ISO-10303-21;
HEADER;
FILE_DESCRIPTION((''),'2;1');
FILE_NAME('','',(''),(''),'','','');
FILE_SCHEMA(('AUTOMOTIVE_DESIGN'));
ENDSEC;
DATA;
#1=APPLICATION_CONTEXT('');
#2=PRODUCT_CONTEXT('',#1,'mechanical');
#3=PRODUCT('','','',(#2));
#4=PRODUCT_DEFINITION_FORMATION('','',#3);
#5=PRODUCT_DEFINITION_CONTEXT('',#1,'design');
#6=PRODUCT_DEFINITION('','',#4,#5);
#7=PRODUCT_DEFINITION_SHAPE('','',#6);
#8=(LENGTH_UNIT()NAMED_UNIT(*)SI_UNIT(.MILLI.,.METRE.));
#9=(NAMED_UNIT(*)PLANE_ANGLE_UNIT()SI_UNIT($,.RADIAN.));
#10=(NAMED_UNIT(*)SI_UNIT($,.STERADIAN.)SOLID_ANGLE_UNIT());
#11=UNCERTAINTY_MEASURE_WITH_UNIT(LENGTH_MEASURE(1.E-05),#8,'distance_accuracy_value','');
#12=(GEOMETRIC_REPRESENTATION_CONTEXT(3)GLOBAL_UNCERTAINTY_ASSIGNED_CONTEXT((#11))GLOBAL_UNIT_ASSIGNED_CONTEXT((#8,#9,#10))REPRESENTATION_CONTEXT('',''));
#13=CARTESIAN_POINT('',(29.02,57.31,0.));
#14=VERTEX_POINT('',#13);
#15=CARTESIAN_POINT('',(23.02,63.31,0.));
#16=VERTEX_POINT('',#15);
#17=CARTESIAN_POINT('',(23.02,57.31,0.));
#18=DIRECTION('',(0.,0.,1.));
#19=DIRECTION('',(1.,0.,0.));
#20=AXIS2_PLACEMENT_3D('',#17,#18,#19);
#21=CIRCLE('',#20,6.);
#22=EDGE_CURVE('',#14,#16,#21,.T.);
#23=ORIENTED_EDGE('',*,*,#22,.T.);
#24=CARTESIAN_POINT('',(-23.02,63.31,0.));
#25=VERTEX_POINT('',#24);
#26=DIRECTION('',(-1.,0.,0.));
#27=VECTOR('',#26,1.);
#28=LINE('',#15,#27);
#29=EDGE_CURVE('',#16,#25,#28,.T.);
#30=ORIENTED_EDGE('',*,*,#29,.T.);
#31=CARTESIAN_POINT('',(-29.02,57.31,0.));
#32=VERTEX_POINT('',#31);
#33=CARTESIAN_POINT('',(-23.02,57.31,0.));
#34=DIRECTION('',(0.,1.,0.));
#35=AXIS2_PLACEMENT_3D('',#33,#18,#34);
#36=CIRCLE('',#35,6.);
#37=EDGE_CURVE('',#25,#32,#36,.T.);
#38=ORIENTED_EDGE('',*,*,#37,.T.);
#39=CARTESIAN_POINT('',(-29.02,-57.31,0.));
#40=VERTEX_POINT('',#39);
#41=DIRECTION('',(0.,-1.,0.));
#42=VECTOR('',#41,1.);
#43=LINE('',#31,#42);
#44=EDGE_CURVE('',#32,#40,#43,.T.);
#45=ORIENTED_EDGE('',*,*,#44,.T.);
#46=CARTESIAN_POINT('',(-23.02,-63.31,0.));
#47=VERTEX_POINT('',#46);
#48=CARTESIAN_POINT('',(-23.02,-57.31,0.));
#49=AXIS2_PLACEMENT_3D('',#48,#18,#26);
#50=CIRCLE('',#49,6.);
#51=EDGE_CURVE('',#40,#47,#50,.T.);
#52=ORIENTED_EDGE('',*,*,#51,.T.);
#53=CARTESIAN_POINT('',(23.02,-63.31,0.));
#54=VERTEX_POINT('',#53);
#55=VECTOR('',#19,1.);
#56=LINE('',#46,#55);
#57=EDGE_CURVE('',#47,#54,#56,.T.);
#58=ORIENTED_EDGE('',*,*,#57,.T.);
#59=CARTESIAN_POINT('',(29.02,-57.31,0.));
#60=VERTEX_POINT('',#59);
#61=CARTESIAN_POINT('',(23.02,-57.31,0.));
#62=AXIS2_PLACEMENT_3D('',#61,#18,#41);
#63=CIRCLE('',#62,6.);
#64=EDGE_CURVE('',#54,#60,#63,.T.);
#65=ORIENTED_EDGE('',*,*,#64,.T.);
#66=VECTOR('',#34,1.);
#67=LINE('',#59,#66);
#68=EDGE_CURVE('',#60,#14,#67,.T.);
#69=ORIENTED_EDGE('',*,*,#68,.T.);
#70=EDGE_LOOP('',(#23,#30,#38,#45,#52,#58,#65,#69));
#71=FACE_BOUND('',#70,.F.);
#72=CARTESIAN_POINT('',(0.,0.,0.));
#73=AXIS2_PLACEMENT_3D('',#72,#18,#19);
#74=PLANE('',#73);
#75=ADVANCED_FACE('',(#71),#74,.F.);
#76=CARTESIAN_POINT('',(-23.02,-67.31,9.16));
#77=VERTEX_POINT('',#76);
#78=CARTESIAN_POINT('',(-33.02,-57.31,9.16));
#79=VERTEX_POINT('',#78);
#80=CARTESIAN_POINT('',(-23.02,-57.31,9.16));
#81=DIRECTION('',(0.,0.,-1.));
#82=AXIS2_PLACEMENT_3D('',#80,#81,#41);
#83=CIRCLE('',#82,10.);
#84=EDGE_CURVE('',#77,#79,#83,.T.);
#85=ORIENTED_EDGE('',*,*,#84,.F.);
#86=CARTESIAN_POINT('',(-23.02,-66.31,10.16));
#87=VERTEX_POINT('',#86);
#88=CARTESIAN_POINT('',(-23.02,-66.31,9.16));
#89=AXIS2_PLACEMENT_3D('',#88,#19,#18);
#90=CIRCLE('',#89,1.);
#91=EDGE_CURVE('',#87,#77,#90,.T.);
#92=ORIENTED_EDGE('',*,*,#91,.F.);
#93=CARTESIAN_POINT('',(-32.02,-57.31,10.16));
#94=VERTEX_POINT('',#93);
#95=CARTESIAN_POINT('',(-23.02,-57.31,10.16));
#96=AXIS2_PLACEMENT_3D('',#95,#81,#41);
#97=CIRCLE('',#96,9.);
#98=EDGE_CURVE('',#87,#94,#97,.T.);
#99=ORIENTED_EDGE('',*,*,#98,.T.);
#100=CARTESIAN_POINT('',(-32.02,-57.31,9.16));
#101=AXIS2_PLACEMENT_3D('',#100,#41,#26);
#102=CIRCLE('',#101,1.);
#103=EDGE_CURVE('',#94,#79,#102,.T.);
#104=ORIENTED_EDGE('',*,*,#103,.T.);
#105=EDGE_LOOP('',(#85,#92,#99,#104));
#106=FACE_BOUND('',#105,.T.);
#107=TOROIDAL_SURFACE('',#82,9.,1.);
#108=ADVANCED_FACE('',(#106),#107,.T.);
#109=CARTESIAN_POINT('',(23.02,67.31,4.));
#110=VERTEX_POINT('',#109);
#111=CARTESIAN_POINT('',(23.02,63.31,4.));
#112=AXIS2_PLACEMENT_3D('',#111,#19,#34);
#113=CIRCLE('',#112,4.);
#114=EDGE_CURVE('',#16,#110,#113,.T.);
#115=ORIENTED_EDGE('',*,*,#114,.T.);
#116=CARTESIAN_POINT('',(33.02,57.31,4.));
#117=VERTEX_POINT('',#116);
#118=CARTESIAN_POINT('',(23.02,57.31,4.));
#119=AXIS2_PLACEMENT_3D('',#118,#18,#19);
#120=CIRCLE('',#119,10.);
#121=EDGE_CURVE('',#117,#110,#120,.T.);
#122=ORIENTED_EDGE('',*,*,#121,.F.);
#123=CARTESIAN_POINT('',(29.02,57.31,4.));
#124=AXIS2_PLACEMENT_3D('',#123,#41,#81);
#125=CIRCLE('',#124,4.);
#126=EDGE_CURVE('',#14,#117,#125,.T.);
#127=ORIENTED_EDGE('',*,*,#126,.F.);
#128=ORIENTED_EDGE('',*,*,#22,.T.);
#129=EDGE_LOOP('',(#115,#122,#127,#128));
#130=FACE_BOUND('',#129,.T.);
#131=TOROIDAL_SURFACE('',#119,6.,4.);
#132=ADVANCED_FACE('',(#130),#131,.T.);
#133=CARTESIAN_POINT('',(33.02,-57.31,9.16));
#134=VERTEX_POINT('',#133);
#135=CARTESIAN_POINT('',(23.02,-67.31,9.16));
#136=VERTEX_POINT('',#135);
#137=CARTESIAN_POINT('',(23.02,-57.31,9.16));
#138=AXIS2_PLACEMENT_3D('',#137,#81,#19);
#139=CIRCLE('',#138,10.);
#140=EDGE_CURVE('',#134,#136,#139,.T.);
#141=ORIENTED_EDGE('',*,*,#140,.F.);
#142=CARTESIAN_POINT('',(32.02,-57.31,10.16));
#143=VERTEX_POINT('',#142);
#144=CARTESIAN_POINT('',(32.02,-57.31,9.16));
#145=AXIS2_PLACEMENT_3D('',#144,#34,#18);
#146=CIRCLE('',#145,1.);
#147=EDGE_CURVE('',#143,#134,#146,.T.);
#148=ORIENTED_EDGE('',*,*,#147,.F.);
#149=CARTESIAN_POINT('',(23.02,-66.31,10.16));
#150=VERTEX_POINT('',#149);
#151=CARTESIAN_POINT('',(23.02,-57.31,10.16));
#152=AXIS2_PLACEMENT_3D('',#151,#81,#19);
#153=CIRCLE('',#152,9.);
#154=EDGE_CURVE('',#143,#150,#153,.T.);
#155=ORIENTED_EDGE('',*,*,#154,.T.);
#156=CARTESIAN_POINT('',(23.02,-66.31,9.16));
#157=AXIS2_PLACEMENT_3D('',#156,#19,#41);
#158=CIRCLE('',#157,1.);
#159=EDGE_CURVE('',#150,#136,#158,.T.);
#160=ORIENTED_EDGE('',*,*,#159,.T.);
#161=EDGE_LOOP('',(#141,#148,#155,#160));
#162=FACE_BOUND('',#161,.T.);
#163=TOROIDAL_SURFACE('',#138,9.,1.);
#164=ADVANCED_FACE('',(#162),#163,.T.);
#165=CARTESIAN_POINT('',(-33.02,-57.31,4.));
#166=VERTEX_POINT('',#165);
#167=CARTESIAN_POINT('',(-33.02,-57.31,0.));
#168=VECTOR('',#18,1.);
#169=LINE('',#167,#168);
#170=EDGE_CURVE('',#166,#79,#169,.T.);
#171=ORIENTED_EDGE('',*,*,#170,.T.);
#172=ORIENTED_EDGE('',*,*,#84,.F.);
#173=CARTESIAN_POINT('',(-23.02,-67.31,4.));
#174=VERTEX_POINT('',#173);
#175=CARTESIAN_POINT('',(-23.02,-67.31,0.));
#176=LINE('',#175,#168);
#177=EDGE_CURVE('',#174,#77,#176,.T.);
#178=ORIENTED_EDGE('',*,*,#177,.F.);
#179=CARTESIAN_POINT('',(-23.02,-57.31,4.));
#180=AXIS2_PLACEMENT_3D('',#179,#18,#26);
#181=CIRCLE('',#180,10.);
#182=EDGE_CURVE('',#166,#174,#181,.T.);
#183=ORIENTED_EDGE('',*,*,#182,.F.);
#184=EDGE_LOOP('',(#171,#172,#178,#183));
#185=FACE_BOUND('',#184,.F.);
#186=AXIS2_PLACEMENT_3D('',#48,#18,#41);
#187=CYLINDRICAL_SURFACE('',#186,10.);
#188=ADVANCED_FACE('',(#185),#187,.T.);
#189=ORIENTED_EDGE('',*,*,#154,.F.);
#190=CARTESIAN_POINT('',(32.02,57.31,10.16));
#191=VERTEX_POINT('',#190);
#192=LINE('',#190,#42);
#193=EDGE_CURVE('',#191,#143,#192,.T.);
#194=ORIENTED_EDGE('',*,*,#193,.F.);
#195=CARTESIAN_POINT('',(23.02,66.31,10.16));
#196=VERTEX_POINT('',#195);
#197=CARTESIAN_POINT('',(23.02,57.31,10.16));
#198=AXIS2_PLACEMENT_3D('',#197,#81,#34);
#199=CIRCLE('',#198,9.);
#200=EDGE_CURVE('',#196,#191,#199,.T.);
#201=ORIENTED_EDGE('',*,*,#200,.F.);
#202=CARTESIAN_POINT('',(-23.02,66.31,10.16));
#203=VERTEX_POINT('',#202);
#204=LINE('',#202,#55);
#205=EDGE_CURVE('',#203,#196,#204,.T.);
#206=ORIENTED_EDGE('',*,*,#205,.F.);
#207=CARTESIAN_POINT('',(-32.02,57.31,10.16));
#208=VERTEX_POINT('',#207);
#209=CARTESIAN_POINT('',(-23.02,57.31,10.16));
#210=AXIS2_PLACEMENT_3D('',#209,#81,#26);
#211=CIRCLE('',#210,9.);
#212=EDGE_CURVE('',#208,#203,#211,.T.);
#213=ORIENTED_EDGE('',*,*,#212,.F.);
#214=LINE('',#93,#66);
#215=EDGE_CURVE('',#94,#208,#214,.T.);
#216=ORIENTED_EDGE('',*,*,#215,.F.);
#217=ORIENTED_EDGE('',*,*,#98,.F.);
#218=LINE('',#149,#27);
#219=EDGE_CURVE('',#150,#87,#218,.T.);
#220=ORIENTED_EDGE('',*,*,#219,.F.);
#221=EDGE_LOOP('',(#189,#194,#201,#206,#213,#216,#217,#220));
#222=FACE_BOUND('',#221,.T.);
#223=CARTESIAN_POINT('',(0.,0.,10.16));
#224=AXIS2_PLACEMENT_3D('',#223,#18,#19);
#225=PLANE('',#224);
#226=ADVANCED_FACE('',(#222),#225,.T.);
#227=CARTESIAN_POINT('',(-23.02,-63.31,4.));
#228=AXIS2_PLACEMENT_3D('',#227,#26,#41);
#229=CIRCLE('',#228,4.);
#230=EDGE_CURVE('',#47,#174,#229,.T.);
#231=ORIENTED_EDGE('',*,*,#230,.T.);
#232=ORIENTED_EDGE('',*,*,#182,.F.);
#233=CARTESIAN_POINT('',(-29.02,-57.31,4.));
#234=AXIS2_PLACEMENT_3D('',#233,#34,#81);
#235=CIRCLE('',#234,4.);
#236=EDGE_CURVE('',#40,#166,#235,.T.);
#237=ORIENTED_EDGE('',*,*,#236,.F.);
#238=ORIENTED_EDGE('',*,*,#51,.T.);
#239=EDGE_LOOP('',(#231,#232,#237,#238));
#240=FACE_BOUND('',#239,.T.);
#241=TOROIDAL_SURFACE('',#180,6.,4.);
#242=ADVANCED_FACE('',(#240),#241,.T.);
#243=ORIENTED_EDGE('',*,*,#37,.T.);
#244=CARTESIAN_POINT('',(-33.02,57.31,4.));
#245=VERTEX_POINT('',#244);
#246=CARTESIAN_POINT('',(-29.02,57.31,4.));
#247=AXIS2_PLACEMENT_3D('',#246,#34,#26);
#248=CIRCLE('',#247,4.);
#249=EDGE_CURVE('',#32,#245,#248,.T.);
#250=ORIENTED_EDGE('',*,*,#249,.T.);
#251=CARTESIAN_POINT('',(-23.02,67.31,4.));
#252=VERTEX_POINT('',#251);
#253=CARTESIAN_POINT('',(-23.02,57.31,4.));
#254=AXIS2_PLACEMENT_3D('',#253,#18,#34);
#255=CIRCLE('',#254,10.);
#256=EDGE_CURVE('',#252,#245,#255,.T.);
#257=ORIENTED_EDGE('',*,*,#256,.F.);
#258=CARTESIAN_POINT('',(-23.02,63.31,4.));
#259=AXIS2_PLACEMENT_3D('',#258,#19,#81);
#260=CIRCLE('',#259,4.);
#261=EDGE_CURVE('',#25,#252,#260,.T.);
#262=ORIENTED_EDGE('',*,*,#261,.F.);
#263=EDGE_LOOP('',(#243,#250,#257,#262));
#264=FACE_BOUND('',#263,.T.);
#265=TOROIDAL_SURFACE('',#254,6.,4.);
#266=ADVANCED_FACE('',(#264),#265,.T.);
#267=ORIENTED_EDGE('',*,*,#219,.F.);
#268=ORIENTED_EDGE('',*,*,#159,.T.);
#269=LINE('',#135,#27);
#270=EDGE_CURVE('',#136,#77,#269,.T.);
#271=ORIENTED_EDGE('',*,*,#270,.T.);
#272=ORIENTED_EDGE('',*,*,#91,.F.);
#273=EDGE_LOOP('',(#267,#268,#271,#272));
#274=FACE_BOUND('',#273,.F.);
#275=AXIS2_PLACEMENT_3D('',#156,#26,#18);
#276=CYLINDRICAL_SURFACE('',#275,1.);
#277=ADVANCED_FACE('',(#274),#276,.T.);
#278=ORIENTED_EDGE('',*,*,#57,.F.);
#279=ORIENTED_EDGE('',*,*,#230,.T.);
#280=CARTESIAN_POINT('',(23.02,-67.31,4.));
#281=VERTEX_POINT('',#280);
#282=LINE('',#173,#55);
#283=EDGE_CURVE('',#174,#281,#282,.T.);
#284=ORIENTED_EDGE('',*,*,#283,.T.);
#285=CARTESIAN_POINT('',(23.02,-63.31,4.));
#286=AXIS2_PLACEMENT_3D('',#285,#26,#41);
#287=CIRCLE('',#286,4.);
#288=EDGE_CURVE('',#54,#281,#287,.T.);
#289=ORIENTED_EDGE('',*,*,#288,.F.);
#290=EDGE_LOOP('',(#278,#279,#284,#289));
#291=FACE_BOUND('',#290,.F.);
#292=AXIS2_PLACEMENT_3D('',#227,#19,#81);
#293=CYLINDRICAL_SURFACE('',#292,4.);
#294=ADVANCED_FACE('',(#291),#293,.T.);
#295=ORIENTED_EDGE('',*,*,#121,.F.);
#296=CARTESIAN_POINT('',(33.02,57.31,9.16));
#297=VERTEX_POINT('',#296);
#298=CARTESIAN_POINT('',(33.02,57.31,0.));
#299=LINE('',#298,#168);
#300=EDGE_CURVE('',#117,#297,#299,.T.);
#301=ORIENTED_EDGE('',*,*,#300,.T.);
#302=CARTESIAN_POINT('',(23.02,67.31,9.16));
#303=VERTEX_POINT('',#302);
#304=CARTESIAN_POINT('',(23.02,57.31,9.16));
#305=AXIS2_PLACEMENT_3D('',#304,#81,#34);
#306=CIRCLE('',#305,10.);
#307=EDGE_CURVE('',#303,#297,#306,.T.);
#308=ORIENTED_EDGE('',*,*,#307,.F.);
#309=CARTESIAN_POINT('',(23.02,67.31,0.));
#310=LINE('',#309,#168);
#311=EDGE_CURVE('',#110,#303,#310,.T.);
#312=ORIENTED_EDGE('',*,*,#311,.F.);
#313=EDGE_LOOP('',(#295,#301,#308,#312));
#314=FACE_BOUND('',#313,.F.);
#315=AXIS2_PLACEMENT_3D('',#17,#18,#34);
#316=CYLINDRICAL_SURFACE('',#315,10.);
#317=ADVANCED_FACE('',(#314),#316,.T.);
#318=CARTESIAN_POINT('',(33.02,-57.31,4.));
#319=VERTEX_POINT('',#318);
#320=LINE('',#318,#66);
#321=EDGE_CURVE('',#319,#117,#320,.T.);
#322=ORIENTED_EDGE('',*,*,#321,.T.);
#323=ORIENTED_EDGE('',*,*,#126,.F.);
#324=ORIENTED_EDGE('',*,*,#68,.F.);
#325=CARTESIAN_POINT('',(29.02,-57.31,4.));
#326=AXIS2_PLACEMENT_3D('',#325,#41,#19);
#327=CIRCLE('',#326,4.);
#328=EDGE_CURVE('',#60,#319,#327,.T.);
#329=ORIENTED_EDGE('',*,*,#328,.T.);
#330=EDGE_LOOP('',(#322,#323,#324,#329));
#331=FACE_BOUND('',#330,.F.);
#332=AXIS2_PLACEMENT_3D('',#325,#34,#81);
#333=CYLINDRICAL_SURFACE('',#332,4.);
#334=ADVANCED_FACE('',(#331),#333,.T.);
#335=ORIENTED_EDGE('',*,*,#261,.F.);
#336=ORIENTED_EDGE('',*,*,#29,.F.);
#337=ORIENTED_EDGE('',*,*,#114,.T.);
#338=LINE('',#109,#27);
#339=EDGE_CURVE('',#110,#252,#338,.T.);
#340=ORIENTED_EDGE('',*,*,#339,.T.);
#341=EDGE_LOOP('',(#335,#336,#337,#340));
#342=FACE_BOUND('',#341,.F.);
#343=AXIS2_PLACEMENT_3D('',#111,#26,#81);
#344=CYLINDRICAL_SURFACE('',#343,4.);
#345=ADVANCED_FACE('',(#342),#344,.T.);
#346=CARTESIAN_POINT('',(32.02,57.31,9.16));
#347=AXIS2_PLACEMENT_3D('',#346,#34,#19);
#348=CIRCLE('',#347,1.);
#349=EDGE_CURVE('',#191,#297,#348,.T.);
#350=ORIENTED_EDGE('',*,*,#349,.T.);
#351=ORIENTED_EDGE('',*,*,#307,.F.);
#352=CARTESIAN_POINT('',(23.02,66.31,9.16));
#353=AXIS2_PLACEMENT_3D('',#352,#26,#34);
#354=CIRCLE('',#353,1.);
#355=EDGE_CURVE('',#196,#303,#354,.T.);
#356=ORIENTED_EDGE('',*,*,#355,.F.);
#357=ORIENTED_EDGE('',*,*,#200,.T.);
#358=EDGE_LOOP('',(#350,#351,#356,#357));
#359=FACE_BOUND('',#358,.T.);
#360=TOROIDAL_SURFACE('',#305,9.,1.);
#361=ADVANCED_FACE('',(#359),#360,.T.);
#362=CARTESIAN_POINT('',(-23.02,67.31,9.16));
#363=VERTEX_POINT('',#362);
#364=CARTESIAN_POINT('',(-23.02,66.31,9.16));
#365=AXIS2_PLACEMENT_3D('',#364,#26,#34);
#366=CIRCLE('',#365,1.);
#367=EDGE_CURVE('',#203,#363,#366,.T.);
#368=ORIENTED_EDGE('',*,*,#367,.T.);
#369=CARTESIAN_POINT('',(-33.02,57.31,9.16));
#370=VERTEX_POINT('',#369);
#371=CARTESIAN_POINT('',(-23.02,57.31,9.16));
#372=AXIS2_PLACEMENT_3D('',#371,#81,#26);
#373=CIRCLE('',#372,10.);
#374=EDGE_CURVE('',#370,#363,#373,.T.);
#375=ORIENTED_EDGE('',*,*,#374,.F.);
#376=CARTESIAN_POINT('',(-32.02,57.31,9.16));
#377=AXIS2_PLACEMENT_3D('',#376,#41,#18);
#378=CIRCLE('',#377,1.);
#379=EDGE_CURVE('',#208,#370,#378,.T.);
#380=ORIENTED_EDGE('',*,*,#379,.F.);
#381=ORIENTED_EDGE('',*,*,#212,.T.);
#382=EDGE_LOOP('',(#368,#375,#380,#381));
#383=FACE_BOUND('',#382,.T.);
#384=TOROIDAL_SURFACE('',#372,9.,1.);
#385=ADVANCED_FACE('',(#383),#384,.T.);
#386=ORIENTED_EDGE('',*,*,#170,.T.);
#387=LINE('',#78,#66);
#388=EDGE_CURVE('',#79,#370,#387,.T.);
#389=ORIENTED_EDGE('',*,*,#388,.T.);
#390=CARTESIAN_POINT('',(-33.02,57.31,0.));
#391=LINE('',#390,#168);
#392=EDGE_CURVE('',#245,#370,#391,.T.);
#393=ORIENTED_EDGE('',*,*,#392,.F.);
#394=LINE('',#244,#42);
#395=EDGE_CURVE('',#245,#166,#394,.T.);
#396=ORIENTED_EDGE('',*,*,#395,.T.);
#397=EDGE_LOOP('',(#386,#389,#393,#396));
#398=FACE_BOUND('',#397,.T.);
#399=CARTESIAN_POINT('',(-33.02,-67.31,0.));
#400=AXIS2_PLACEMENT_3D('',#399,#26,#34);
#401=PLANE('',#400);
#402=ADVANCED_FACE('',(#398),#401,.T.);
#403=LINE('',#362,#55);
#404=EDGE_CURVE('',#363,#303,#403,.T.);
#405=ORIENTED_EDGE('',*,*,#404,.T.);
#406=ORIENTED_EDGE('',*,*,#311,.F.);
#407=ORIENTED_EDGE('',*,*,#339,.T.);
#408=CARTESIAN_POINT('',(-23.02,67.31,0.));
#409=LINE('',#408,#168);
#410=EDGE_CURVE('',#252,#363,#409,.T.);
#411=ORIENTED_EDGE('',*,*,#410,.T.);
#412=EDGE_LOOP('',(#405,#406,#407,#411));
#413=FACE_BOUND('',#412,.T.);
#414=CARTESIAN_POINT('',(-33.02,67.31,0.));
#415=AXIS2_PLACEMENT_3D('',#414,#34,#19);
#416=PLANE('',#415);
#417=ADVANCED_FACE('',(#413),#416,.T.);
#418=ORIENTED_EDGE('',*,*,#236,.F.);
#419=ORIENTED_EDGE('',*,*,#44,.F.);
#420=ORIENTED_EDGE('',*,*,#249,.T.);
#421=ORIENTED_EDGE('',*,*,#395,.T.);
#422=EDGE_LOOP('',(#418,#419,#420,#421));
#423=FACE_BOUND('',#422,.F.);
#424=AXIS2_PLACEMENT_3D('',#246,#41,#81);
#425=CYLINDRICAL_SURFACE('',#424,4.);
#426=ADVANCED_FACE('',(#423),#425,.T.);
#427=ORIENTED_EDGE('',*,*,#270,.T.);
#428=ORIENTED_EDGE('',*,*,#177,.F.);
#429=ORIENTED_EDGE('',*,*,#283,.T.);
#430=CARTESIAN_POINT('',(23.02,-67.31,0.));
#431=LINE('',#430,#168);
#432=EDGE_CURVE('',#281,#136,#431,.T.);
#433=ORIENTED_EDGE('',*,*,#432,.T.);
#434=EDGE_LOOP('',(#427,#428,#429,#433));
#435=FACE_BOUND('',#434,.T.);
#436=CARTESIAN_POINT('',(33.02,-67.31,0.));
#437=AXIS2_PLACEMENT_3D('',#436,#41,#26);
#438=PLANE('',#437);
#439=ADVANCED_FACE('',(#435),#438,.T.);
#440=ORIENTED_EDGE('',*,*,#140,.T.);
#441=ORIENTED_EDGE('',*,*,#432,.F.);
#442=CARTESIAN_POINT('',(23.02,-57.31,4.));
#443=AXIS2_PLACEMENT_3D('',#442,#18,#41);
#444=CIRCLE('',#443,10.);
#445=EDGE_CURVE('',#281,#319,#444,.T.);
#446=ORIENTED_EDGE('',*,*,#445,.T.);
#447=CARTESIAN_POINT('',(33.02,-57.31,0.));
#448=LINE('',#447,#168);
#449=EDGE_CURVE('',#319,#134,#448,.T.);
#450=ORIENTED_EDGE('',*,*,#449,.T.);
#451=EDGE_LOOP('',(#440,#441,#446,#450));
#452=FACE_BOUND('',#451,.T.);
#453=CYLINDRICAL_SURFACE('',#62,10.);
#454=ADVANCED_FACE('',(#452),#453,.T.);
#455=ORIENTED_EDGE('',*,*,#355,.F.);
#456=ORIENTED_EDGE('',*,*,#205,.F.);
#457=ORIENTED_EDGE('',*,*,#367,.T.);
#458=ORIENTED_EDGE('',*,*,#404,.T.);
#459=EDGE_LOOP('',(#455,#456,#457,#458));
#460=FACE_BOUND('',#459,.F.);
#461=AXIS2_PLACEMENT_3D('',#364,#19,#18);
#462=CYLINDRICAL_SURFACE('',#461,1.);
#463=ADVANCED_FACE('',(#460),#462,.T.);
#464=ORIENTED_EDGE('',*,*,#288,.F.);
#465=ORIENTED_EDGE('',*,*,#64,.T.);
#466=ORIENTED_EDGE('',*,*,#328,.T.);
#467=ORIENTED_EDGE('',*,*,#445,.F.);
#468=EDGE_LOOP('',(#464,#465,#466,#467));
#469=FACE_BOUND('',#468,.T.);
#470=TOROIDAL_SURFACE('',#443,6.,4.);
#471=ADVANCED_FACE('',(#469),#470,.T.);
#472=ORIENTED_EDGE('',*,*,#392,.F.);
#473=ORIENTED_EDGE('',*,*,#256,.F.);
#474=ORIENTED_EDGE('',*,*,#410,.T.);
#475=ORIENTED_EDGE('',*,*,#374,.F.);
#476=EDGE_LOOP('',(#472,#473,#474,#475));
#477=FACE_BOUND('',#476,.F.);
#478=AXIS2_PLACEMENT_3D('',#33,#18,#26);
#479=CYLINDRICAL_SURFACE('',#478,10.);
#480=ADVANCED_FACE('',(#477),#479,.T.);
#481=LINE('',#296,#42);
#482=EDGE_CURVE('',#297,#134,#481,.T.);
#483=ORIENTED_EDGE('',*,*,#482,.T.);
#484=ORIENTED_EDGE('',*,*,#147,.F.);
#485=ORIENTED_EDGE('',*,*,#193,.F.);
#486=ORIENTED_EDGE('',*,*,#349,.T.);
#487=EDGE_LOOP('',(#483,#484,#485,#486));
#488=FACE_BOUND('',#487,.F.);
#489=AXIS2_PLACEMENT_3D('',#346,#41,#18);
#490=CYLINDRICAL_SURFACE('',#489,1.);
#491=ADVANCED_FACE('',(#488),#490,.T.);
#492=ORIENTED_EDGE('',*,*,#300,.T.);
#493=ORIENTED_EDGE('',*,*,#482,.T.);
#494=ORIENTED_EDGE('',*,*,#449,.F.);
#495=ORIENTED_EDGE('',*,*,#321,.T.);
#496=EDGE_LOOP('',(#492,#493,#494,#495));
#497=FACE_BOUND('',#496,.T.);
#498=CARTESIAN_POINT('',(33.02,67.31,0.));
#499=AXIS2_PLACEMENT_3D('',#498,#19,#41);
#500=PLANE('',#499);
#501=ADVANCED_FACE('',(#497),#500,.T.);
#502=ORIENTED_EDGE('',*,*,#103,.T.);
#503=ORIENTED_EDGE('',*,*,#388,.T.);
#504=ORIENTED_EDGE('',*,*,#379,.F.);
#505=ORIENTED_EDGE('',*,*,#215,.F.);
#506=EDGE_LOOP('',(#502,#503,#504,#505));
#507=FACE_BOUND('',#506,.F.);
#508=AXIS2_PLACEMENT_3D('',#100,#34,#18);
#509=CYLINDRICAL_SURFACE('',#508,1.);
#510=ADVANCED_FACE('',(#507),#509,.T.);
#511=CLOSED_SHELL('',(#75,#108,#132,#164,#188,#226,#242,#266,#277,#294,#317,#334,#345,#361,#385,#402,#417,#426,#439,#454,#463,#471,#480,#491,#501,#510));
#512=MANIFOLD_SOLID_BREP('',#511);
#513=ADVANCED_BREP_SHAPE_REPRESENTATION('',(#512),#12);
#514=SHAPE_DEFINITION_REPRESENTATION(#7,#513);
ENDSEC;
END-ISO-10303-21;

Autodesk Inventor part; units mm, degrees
ref_plane "YZ Plane" through (0, 0, 0) normal (1, 0, 0) x (0, 1, 0)
ref_plane "XZ Plane" through (0, 0, 0) normal (0, 1, 0) x (-1, 0, 0)
ref_plane "XY Plane" through (0, 0, 0) normal (0, 0, 1) x (1, 0, 0)
sketch "Sketch1" plane through (0, 0, 0) normal (0, 0, 1) x (1, 0, 0)
  line L0 (33.02, -67.31) -> (-33.02, -67.31)
  line L1 (-33.02, -67.31) -> (-33.02, 67.31)
  line L2 (-33.02, 67.31) -> (33.02, 67.31)
  line L3 (33.02, 67.31) -> (33.02, -67.31)
  line L4 (33.02, -67.31) -> (-33.02, 67.31) construction
  line L5 (-33.02, -67.31) -> (33.02, 67.31) construction
  point P0 (0, 0)
  dimension "d0" = 66.04
  dimension "d1" = 134.62
extrude "Extrusion1" add sketch "Sketch1" along normal blind 10.16
fillet "Fillet1" radius 10 4 edges at (33.02, 67.31, 5.08) (-33.02, 67.31, 5.08) (33.02, -67.31, 5.08) (-33.02, -67.31, 5.08)
fillet "Fillet2" radius 4 8 edges at (30.0911, -64.3811, 0) (0, -67.31, 0) (-30.0911, -64.3811, 0) (-33.02, 0, 0) (-30.0911, 64.3811, 0) (0, 67.31, 0) (30.0911, 64.3811, 0) (33.02, 0, 0)
fillet "Fillet3" radius 1 8 edges at (30.0911, 64.3811, 10.16) (0, 67.31, 10.16) (-30.0911, 64.3811, 10.16) (-33.02, 0, 10.16) (-30.0911, -64.3811, 10.16) (0, -67.31, 10.16) (30.0911, -64.3811, 10.16) (33.02, 0, 10.16)
properties part number "Andoid Phone" material "ABS Plastic"
